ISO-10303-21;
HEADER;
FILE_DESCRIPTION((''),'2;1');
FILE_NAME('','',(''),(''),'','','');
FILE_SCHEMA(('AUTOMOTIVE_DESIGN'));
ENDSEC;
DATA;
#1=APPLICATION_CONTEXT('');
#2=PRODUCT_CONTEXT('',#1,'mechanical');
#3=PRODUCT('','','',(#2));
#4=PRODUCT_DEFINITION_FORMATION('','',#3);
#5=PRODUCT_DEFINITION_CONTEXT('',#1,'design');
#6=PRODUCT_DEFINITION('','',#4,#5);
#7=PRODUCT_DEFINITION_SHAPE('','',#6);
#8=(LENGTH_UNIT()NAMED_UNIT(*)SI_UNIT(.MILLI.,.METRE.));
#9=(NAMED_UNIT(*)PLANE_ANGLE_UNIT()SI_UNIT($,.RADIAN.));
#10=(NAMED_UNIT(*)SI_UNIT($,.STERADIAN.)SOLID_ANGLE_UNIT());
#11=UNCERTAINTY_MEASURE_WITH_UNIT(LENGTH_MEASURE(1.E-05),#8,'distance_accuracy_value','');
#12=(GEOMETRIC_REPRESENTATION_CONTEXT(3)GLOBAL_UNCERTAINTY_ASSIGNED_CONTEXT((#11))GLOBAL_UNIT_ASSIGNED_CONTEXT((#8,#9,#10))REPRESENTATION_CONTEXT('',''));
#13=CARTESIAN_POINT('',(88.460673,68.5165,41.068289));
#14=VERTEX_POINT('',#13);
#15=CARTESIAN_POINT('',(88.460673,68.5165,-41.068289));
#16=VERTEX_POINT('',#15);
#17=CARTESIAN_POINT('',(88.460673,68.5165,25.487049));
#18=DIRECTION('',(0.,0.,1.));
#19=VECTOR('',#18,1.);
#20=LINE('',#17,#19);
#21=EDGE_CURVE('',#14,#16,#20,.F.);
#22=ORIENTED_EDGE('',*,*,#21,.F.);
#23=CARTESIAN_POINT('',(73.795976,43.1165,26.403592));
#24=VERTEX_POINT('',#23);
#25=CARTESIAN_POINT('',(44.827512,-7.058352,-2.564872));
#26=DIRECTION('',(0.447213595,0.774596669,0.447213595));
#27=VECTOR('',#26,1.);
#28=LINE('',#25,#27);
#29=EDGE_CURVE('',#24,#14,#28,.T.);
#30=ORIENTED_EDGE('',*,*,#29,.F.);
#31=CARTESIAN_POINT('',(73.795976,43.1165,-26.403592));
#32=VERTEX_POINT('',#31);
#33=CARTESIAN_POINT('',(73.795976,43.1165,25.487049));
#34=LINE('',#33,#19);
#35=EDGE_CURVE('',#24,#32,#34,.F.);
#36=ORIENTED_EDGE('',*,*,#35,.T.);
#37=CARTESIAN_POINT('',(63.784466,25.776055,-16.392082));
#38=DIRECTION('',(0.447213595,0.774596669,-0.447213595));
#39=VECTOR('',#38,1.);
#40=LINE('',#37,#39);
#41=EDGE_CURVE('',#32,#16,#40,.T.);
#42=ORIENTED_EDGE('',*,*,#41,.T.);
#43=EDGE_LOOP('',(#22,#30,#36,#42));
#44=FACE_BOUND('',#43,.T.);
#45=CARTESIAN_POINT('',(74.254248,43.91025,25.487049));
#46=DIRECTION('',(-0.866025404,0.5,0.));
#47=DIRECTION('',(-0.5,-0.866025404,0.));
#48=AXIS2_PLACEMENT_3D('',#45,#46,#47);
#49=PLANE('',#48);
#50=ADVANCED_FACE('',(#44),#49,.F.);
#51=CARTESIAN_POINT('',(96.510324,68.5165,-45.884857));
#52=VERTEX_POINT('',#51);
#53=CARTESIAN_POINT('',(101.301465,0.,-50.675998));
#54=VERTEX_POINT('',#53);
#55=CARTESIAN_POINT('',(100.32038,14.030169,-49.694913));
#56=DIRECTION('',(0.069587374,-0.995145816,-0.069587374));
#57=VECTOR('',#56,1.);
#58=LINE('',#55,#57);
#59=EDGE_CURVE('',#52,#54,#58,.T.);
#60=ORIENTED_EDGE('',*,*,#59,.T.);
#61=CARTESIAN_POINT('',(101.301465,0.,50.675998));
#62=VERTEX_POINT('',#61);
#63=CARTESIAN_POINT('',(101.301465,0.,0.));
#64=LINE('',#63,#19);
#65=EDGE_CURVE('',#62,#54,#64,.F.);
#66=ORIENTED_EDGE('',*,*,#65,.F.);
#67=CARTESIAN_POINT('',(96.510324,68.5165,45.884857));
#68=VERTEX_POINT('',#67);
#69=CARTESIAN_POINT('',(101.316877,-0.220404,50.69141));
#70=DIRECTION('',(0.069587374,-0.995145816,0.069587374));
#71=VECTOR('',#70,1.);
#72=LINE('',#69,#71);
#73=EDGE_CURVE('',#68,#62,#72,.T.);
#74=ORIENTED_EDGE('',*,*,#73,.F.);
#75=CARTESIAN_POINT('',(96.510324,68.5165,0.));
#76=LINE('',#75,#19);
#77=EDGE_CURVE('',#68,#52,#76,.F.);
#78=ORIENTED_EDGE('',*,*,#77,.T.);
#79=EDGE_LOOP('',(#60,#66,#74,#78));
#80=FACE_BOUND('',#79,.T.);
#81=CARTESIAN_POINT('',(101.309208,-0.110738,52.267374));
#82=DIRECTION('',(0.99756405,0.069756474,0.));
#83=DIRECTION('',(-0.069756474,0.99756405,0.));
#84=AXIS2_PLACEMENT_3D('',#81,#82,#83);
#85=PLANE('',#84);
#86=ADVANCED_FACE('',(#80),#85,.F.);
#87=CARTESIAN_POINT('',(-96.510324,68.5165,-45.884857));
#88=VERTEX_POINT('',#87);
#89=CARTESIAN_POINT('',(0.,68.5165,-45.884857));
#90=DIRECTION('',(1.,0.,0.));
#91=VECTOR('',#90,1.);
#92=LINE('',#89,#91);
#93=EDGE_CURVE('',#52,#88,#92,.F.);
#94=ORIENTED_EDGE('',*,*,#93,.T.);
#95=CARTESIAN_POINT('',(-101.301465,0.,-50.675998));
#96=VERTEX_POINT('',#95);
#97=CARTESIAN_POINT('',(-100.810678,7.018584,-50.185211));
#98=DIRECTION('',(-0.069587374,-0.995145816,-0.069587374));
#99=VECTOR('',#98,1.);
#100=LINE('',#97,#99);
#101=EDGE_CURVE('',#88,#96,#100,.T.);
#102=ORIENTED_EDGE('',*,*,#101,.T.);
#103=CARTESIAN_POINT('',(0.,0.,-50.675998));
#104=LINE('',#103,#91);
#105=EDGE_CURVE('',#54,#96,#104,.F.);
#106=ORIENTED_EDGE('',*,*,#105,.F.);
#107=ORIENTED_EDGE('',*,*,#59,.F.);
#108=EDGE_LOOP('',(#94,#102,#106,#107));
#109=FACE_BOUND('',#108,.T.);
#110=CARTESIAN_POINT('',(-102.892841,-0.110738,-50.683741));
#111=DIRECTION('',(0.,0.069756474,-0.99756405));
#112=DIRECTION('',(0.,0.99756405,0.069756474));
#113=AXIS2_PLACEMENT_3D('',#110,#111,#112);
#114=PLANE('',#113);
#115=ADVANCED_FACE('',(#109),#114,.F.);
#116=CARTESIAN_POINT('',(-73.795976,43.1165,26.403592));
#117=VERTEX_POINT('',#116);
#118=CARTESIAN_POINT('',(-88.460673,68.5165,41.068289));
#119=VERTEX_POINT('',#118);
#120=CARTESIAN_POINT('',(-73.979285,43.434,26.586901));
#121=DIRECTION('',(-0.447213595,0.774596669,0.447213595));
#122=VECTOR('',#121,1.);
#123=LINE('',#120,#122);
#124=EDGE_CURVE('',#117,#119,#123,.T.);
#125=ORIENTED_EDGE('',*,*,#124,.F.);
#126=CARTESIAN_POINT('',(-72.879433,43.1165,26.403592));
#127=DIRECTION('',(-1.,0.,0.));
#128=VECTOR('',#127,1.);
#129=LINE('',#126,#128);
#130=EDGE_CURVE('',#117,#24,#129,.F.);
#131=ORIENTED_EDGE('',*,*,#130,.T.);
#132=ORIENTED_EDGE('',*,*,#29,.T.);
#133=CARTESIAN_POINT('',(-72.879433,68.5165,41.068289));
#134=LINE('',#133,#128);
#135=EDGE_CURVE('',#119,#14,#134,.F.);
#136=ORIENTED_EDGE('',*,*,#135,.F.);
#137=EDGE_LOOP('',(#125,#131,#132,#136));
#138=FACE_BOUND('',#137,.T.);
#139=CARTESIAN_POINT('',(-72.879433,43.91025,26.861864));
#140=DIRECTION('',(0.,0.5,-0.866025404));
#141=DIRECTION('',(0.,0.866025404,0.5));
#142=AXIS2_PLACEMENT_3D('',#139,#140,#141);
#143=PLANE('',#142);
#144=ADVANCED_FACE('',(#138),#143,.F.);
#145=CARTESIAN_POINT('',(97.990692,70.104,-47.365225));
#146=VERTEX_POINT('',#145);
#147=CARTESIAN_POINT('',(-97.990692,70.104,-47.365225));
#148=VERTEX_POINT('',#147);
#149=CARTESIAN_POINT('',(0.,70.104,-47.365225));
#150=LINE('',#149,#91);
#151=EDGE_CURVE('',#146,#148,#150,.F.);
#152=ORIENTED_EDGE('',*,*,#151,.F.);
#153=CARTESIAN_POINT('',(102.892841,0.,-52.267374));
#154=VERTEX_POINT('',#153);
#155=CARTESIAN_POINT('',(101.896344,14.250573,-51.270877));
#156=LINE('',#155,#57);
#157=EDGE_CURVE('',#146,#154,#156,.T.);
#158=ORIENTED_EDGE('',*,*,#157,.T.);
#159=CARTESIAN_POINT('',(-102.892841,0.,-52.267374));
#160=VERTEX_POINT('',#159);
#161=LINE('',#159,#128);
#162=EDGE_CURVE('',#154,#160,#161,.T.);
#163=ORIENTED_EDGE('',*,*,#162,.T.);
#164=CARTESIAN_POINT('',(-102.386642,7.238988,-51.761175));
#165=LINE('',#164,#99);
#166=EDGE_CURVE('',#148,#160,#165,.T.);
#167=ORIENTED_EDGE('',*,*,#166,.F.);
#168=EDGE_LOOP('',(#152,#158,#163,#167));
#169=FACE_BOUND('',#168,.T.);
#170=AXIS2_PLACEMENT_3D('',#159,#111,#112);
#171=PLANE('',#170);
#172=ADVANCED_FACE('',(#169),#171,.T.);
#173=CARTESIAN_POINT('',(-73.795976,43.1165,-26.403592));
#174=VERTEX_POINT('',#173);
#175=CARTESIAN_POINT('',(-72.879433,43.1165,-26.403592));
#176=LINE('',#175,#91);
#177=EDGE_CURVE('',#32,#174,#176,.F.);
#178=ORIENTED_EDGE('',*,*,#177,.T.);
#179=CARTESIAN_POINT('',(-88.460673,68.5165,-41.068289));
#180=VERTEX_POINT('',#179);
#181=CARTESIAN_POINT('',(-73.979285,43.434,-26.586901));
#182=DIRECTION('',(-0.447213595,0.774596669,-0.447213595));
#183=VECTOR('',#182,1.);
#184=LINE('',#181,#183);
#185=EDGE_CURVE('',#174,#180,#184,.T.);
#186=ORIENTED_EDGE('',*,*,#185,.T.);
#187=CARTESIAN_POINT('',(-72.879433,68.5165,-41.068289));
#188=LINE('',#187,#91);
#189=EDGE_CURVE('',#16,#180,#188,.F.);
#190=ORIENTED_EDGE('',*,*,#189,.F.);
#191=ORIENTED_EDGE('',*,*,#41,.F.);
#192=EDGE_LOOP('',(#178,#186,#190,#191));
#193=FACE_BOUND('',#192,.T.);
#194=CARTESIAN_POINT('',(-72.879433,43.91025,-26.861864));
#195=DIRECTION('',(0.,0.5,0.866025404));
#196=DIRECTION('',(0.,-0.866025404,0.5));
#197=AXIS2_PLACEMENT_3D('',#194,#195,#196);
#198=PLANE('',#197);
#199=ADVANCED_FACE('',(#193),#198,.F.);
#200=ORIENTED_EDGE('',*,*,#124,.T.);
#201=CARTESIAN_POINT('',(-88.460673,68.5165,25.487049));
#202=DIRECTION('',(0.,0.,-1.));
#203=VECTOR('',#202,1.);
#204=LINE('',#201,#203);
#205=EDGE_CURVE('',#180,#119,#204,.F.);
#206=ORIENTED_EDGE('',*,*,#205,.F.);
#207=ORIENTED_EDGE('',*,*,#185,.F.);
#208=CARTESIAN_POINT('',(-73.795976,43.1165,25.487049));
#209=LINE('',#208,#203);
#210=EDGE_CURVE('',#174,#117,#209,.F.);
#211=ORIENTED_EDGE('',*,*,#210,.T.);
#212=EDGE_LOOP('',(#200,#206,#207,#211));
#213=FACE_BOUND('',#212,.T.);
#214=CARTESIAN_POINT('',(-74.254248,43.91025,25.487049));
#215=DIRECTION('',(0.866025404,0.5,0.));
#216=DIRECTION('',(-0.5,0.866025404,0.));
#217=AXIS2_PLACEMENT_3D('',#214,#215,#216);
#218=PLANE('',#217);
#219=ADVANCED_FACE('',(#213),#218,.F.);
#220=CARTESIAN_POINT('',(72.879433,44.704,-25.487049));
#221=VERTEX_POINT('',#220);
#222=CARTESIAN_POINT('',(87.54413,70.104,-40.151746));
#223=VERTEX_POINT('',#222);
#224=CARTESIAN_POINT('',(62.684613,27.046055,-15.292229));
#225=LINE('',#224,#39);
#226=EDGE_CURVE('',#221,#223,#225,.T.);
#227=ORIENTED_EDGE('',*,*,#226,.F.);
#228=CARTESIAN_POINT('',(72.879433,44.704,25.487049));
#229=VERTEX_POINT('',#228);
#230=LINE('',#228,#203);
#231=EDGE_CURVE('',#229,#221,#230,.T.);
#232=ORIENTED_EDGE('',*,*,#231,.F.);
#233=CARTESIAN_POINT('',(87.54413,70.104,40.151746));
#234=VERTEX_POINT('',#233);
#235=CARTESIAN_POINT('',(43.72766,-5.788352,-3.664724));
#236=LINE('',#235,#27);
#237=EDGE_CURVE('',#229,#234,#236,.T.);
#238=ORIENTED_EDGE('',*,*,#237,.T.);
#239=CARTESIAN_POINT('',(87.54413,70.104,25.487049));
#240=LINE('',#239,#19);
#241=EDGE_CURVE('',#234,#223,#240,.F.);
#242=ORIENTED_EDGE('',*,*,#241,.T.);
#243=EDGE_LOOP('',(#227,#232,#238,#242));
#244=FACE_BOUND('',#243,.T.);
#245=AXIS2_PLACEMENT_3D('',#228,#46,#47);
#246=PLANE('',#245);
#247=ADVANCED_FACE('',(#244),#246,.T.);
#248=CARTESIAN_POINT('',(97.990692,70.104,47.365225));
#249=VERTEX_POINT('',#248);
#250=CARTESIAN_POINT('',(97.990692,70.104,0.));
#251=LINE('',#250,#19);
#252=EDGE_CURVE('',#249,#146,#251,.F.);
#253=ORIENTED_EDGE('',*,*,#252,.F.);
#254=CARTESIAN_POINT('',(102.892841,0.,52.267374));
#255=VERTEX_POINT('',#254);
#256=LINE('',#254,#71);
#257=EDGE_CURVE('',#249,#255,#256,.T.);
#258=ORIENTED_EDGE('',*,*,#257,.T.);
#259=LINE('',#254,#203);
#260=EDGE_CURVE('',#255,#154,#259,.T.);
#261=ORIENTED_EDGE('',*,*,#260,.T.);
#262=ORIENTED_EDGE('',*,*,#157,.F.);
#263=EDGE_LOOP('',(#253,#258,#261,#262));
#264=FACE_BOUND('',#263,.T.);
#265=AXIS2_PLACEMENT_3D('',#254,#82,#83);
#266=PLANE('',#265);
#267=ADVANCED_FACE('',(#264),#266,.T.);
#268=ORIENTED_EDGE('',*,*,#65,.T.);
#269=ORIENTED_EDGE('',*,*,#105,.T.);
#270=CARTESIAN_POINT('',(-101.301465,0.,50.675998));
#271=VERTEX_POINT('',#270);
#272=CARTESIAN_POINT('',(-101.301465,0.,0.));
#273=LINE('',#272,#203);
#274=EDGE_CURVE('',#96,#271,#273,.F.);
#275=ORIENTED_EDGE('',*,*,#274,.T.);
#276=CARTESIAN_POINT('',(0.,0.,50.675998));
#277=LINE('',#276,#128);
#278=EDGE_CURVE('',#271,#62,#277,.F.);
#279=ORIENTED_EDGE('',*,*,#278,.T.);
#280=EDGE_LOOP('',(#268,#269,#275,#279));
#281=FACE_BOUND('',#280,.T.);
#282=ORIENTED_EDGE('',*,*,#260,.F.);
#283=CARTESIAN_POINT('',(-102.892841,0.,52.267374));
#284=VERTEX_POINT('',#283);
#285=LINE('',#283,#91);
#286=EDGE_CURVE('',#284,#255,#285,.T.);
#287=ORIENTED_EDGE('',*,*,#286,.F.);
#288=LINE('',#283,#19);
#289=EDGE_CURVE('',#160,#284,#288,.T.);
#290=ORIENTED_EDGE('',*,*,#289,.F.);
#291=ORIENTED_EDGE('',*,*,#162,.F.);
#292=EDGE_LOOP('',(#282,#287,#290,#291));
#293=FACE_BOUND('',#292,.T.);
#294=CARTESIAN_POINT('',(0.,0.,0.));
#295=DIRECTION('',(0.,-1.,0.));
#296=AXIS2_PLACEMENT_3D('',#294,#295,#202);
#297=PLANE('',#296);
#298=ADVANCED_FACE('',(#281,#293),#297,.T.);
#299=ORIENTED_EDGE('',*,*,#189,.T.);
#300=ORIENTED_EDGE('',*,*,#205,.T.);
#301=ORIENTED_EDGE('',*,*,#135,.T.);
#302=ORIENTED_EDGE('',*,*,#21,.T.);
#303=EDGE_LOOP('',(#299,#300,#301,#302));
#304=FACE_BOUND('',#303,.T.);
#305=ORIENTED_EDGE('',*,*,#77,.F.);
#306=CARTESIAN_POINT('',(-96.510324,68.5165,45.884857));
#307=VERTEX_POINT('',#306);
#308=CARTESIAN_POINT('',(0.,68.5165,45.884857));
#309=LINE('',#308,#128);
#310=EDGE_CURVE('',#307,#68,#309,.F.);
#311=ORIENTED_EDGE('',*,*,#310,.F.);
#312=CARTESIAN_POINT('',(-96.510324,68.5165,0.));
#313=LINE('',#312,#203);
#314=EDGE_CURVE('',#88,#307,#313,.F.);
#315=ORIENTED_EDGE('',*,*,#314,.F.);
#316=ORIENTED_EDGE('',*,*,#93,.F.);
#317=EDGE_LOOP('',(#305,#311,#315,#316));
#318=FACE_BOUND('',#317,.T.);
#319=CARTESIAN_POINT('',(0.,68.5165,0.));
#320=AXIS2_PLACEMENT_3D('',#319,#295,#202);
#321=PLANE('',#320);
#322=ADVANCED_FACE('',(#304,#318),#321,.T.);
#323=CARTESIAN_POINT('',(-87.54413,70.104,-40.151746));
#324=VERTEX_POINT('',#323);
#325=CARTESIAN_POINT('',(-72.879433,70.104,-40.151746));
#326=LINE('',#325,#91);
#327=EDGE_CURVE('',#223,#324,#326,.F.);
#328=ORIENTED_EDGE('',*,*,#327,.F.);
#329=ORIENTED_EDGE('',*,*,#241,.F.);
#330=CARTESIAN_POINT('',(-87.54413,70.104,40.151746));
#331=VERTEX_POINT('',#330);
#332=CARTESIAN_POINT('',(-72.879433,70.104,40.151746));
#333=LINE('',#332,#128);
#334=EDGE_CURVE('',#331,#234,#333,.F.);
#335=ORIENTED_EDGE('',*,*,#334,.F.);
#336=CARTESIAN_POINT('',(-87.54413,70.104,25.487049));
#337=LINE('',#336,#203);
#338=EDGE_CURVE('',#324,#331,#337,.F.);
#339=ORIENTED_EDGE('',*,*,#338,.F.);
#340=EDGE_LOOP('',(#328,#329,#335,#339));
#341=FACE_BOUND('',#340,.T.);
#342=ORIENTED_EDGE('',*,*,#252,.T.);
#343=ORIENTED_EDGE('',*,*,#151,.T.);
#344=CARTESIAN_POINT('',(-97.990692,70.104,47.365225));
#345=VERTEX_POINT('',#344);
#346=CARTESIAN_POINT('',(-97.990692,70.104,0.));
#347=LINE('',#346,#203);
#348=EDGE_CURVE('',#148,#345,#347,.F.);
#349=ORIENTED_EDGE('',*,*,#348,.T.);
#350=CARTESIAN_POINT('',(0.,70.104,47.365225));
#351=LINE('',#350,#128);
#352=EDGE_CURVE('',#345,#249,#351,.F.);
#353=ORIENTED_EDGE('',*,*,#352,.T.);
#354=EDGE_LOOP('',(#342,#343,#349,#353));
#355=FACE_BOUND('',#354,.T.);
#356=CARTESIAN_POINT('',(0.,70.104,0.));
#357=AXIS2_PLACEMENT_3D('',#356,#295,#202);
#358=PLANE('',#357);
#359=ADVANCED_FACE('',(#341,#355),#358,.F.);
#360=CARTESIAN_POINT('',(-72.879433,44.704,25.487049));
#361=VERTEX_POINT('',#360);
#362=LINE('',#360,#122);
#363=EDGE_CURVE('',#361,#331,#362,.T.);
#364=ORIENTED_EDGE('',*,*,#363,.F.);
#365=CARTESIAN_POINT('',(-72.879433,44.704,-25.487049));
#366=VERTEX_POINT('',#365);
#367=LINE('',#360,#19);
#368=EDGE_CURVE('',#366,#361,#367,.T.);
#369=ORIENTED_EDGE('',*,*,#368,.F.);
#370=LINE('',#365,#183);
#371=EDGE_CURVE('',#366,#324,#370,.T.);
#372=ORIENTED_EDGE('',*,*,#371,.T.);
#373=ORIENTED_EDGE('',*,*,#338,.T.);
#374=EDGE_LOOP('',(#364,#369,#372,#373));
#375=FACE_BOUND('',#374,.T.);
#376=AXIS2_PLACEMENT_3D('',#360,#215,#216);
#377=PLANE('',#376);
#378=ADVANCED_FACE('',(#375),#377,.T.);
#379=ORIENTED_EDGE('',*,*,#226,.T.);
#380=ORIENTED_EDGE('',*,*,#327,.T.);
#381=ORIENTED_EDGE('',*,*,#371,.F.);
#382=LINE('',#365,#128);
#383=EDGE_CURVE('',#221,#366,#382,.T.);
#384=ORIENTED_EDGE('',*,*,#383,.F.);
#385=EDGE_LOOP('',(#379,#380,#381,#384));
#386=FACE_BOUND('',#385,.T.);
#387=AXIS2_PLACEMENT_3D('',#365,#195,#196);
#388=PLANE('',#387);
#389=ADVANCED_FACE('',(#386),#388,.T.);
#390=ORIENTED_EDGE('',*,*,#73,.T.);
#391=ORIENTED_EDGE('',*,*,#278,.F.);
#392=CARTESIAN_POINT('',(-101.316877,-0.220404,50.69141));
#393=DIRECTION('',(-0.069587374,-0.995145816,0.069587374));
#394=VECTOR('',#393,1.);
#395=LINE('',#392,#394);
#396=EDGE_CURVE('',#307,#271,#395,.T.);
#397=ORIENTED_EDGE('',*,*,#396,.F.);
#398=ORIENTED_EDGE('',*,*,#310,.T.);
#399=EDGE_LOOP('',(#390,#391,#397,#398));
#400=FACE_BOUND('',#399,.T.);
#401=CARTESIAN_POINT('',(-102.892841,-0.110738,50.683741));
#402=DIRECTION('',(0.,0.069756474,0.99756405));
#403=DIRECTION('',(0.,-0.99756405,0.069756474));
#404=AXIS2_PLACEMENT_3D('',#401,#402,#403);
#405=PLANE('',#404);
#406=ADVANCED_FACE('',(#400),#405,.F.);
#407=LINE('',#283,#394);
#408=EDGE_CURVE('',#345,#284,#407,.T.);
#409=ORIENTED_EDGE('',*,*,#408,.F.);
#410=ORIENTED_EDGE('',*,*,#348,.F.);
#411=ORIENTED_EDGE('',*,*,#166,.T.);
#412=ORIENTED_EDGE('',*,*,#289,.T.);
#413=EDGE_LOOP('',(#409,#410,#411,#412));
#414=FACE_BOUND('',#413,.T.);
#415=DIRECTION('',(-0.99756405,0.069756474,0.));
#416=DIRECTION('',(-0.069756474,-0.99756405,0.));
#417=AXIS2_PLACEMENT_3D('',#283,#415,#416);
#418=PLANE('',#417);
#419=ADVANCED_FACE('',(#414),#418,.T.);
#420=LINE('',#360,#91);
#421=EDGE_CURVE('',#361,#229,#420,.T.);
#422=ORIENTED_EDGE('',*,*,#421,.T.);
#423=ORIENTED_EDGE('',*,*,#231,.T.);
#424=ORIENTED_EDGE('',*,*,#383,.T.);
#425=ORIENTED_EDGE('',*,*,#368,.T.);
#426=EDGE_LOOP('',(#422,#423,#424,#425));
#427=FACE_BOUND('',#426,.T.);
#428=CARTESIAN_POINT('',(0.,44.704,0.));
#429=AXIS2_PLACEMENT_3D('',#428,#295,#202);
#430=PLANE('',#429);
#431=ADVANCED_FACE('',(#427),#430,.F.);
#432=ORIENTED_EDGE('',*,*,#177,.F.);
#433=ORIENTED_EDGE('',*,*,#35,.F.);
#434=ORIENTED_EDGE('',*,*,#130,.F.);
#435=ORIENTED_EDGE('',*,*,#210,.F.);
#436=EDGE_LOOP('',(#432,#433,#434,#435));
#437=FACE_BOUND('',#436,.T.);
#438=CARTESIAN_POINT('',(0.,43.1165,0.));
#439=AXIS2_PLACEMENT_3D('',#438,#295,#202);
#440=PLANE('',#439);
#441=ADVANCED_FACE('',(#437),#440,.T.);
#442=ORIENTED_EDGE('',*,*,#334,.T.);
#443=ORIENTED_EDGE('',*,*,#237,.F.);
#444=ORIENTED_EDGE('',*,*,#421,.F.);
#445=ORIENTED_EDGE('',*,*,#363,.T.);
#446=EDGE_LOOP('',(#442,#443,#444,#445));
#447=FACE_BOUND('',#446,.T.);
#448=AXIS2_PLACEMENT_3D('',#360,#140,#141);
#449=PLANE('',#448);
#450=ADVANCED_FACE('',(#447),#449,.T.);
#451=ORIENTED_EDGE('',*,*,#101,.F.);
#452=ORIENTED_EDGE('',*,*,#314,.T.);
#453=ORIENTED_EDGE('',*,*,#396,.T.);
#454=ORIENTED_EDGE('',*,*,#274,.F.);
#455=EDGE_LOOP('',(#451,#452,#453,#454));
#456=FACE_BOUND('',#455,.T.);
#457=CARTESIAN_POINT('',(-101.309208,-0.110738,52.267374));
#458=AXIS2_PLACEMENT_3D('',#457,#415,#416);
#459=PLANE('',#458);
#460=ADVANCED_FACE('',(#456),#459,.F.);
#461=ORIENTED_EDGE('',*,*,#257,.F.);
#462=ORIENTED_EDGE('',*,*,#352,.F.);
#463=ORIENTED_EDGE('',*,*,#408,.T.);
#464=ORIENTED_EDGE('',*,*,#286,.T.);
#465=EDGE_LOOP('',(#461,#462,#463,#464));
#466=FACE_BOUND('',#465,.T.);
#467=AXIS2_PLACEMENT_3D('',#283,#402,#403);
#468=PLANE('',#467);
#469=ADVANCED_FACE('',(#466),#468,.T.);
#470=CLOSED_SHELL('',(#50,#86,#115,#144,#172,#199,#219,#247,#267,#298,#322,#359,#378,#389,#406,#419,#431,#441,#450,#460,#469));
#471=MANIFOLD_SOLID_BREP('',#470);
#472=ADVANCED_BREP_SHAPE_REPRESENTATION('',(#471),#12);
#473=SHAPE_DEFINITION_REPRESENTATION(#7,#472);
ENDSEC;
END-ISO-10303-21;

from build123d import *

# Parameters (mm, degrees)
SKETCH1_W           = 205.785682804
SKETCH1_H           = 104.534748446
BOSS_EXTRUDE1_DEPTH = 70.104
BOSS_EXTRUDE1_TAPER = 4
SKETCH2_W           = 145.758865666
SKETCH2_H           = 50.974097726
CUT_EXTRUDE1_DEPTH  = 25.4
DRAFT1_ANGLE        = 30
SHELL1_T            = -1.5875


with BuildPart() as part:
    # Sketch1 → Boss-Extrude1 (new body)
    with BuildSketch(Plane(origin=(0, 0, 0), x_dir=(1, 0, 0), z_dir=(0, 1, 0))):
        Rectangle(SKETCH1_W, SKETCH1_H)
    extrude(amount=BOSS_EXTRUDE1_DEPTH, taper=BOSS_EXTRUDE1_TAPER)

    # Sketch2 → Cut-Extrude1 (cut)
    with BuildSketch(Plane(origin=(0, 70.104, 0), x_dir=(1, 0, 0), z_dir=(0, 1, 0))):
        Rectangle(SKETCH2_W, SKETCH2_H)
    extrude(amount=-CUT_EXTRUDE1_DEPTH, mode=Mode.SUBTRACT)

    # Draft1
    draft1_faces = [part.faces().sort_by_distance(p)[0] for p in [
        (0, 57.404, 25.487048863),
        (72.879432833, 57.404, 0),
        (0, 57.404, -25.487048863),
        (-72.879432833, 57.404, 0),
    ]]
    draft(draft1_faces, Plane.ZX.offset(44.704), DRAFT1_ANGLE)

    # Shell1
    shell1_openings = [part.faces().sort_by_distance(p)[0] for p in [
        (0, 0, 0),
    ]]
    offset(amount=SHELL1_T, openings=shell1_openings, kind=Kind.INTERSECTION)


solid = part.part
